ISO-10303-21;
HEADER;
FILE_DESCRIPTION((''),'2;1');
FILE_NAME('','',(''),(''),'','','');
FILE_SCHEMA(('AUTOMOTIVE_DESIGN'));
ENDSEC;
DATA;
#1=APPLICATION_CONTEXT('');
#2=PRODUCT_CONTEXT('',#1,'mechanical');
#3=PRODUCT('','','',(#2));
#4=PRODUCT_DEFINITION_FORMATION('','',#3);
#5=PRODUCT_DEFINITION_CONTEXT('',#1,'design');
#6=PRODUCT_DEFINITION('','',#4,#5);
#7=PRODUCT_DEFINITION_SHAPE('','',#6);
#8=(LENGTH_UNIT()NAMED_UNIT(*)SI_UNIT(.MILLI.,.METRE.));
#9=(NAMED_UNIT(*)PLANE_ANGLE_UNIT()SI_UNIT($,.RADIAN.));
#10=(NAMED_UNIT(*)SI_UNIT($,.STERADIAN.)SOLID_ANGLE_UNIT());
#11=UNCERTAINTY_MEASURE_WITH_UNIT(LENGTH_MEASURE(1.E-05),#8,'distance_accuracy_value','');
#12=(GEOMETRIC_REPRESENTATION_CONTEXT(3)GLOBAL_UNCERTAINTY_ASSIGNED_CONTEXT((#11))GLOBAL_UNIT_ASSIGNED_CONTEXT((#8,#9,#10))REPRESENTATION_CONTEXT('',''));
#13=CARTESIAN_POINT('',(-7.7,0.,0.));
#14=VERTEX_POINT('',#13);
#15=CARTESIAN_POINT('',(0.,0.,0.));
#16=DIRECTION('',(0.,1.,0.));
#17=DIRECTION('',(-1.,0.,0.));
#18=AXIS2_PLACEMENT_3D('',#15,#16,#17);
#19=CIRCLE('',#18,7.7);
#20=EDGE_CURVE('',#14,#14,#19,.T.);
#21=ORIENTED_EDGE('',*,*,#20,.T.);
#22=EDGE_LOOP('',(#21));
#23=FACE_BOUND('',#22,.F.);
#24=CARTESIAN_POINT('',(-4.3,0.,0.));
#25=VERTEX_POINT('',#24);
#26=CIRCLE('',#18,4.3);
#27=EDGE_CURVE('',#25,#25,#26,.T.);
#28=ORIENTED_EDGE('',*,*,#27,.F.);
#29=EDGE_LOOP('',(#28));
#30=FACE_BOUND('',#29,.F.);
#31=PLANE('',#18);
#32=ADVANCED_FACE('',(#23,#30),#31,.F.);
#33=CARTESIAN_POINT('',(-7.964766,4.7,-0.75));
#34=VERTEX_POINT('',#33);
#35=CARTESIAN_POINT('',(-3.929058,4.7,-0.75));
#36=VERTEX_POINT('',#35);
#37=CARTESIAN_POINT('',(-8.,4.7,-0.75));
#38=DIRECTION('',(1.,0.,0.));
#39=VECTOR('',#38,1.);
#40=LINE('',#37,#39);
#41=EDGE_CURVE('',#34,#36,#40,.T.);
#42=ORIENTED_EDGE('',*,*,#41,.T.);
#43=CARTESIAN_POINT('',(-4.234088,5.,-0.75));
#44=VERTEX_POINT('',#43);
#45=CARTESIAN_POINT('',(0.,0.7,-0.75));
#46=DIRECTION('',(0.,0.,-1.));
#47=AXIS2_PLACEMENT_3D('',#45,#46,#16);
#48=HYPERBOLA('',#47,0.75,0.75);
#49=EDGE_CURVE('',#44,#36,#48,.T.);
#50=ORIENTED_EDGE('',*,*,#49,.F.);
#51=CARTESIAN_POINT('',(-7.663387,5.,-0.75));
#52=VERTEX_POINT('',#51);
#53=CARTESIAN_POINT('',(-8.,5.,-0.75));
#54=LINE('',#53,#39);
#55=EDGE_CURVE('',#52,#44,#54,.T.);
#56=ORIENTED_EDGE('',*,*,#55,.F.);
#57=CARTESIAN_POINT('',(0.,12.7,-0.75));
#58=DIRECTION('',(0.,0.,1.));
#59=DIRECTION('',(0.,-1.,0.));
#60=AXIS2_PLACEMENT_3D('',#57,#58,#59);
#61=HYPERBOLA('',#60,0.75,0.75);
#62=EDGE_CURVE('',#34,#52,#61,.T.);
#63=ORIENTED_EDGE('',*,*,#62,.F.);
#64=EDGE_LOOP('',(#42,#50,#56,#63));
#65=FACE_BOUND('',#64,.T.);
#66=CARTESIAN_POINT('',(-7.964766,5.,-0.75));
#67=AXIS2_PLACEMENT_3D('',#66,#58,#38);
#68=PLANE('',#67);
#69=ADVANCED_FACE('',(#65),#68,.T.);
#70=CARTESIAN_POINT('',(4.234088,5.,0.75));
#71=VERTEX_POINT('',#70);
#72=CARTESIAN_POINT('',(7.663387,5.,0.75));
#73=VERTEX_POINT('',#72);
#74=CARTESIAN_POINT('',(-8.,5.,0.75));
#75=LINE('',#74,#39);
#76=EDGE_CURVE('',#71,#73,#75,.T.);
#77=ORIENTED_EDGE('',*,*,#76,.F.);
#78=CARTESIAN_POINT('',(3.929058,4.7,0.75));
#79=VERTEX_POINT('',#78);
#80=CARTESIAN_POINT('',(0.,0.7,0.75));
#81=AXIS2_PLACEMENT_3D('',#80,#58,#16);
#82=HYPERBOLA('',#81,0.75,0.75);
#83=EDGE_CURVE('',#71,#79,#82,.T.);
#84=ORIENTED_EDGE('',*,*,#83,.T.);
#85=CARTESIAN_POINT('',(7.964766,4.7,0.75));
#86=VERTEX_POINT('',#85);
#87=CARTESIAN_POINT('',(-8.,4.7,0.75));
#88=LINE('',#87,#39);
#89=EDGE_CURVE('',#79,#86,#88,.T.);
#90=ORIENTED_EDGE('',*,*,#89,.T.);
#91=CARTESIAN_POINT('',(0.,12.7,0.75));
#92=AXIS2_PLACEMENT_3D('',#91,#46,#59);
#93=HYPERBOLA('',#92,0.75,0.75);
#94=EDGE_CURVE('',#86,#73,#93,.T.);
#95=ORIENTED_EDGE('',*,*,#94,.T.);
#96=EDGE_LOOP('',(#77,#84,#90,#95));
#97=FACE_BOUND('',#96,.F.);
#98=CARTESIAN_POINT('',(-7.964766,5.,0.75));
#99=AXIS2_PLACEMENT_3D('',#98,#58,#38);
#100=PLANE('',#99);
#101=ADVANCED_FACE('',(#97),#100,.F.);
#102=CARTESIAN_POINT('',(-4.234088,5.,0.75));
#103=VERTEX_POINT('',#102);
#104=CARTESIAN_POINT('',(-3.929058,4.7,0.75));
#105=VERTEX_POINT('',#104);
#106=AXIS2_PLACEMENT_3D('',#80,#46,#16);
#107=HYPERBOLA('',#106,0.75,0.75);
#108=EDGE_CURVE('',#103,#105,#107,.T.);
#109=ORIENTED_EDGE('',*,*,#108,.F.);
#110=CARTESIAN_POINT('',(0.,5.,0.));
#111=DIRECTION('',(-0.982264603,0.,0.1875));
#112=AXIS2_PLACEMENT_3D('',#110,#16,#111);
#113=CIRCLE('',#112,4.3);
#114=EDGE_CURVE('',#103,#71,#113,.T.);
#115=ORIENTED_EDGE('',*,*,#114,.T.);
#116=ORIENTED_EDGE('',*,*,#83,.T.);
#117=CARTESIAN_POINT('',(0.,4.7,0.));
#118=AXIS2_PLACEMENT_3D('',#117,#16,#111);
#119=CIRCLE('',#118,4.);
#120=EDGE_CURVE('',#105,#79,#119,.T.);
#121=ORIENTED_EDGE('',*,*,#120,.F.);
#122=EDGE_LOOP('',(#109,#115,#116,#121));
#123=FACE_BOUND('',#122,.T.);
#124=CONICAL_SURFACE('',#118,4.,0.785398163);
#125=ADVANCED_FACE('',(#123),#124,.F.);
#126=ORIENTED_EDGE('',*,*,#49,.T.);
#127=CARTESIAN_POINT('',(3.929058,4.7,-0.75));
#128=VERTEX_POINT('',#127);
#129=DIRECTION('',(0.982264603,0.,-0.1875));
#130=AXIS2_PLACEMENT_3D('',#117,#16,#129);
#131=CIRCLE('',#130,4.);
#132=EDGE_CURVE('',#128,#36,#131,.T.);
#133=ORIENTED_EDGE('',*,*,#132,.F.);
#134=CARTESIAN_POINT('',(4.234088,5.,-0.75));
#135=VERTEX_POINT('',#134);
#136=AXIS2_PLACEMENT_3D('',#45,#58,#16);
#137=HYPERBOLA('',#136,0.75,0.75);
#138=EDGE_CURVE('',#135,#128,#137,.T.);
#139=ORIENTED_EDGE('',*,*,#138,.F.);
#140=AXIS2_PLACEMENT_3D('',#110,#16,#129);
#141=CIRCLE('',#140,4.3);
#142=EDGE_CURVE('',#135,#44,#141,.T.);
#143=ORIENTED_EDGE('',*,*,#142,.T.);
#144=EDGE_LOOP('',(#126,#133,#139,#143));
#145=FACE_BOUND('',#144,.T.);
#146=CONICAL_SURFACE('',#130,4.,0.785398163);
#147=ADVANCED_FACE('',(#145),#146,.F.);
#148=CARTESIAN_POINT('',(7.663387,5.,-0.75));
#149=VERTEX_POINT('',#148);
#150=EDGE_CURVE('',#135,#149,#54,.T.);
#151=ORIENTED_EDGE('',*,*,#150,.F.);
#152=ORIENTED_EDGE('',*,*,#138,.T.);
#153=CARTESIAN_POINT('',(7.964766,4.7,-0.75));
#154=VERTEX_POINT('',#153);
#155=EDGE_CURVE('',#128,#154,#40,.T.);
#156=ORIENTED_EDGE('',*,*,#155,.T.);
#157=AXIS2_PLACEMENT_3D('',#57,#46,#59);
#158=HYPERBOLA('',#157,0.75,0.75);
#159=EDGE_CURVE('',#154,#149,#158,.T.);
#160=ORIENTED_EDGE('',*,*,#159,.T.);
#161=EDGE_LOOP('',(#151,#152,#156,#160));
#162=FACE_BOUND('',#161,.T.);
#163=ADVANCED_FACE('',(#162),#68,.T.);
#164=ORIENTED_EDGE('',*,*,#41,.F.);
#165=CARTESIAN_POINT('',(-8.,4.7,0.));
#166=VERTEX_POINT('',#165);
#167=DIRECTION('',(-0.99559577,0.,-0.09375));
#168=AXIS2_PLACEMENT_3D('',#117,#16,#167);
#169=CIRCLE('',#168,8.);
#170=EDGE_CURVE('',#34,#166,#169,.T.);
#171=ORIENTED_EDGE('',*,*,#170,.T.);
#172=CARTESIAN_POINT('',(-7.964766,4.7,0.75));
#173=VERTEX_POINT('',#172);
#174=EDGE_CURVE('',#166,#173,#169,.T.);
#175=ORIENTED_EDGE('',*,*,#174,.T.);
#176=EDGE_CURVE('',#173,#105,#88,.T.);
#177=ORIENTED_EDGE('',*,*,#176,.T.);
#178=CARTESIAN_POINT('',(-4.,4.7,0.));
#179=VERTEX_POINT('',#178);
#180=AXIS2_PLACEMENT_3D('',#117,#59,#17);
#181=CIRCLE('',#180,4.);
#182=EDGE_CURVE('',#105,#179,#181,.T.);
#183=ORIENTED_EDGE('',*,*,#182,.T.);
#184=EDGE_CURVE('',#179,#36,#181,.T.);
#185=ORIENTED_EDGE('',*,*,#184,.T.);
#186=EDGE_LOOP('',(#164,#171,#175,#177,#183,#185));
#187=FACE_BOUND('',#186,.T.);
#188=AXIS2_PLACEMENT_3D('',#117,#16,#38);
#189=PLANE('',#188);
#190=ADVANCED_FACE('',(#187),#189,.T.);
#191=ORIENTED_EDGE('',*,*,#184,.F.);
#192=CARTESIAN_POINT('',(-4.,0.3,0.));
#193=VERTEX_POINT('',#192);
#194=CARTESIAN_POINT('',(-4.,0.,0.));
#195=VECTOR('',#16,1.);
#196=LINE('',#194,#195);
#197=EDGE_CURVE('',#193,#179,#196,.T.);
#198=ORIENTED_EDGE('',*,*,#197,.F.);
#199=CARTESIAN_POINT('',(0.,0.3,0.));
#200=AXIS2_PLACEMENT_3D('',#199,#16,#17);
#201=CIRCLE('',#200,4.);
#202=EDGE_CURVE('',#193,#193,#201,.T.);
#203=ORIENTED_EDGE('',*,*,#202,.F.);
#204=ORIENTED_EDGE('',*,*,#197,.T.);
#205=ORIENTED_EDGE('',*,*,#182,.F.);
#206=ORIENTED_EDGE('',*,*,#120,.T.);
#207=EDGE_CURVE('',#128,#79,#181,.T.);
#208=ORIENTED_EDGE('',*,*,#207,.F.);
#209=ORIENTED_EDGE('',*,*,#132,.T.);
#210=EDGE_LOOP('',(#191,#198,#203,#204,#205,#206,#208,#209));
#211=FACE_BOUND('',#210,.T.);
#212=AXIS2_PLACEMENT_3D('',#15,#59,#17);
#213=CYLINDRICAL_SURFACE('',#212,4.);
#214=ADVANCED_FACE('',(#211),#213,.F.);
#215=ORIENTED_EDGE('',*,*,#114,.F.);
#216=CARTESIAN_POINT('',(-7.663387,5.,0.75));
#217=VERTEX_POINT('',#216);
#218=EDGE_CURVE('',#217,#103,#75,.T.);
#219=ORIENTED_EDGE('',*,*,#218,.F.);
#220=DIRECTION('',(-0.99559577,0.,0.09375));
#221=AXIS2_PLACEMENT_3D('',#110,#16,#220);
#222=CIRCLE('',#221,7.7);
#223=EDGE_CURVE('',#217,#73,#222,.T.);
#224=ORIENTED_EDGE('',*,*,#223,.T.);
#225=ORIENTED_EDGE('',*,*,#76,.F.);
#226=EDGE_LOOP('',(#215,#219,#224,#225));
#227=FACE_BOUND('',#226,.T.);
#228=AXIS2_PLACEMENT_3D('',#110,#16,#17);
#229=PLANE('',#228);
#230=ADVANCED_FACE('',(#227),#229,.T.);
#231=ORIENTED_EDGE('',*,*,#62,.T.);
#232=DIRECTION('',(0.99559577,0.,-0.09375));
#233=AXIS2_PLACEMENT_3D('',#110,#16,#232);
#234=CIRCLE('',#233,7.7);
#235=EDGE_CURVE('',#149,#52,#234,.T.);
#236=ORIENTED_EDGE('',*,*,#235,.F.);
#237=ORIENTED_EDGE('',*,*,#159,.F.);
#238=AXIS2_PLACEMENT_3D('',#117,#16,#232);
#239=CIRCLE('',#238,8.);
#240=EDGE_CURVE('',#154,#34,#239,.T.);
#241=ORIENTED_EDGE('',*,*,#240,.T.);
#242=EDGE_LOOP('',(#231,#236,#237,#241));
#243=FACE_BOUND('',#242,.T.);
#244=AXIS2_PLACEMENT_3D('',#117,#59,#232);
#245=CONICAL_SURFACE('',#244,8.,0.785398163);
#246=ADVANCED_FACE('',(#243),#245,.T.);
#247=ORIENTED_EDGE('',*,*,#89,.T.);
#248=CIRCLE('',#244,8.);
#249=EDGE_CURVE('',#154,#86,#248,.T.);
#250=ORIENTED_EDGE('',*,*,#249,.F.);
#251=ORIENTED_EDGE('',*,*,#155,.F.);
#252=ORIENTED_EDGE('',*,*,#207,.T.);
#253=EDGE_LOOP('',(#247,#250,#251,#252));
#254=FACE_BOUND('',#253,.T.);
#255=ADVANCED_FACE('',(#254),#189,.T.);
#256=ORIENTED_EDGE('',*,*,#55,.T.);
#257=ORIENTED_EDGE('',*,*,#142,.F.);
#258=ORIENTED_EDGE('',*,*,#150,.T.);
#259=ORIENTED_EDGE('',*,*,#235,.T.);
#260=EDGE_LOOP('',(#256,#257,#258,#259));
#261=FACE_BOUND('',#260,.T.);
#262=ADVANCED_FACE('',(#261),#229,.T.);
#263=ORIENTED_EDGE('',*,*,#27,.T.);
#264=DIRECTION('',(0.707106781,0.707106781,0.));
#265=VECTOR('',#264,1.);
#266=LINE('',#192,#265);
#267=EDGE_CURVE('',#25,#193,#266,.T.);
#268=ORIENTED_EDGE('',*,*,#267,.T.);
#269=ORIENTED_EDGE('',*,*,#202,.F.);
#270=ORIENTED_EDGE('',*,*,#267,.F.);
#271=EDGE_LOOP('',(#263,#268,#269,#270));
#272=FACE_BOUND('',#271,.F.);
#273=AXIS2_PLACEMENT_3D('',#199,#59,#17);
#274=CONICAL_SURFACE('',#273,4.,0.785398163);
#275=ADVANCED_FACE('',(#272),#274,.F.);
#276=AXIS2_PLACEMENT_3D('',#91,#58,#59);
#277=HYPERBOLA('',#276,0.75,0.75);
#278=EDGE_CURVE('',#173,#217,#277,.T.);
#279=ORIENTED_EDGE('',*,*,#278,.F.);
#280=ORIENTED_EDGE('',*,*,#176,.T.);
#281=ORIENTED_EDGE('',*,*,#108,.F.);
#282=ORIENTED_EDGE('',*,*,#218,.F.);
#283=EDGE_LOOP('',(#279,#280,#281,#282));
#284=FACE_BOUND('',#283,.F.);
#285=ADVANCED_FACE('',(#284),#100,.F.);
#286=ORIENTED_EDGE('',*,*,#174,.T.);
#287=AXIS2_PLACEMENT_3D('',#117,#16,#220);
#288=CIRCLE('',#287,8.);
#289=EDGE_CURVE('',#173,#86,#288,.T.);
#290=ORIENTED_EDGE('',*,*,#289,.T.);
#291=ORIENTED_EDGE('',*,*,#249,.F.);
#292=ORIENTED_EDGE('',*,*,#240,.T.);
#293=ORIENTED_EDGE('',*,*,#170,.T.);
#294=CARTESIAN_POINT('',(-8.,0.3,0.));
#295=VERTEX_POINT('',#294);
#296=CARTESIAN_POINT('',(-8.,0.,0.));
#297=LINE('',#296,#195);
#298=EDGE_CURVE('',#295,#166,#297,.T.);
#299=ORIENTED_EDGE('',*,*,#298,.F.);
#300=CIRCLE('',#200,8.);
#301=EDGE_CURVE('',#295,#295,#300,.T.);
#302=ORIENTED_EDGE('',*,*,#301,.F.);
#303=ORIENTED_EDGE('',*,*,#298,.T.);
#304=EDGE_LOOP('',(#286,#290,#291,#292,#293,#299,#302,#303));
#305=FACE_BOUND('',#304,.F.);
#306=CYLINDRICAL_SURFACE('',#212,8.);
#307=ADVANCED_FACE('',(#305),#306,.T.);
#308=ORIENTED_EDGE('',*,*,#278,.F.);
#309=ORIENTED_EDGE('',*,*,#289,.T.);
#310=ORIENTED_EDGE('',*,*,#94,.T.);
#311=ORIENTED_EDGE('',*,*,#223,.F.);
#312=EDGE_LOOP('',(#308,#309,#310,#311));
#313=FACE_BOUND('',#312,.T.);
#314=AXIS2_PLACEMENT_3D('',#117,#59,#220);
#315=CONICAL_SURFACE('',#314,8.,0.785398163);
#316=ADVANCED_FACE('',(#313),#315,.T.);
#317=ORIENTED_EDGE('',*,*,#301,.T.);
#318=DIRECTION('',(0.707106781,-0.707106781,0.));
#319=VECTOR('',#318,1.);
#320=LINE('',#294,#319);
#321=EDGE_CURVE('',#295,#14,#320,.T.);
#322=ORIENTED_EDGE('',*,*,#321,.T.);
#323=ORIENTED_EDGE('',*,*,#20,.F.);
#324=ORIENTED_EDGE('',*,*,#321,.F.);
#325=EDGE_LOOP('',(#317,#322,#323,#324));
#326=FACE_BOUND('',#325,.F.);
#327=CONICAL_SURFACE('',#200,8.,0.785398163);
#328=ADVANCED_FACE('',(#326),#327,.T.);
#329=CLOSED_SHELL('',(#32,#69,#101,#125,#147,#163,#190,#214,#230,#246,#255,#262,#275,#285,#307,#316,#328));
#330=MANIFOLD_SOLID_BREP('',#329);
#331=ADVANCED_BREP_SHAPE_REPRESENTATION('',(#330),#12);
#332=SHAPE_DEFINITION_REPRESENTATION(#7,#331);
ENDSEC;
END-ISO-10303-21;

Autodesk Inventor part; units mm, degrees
ref_plane "YZ Plane" through (0, 0, 0) normal (1, 0, 0) x (0, 1, 0)
ref_plane "XZ Plane" through (0, 0, 0) normal (0, 1, 0) x (-1, 0, 0)
ref_plane "XY Plane" through (0, 0, 0) normal (0, 0, 1) x (1, 0, 0)
sketch "スケッチ1" plane through (0, 0, 0) normal (0, 1, 0) x (-1, 0, 0)
  circle A0 centre (0, 0) radius 8
  circle A1 centre (0, 0) radius 4
  dimension "d0" = 16
  dimension "d1" = 8
extrude "押し出し1" add sketch "スケッチ1" along normal blind 5
sketch "スケッチ2" plane through (0, 5, 0) normal (0, 1, 0) x (1, 0, 0)
  circle A0 centre (0, 0) radius 8 projected
  line L0 (-8, 0) -> (8, 0)
  line L1 (-8, 0.75) -> (8, 0.75)
  line L2 (-8, 0.75) -> (-8, 0)
  line L3 (8, 0.75) -> (8, 0)
  line L4 (-8, -0.75) -> (8, -0.75)
  line L5 (-8, -0.75) -> (-8, 0)
  line L6 (8, -0.75) -> (8, 0)
  point P0 (7.9648, 0.75)
  point P1 (-7.9648, 0.75)
  point P2 (-7.9648, -0.75)
  point P3 (7.9648, -0.75)
  dimension "d4" = 0.75
extrude "押し出し2" cut sketch "スケッチ2" against normal blind 0.3 contours L0 A0 L1 | A0 L4 L0
chamfer "面取り1" distance 0.3 angle 45 6 edges at (0, 5, 4) (0, 5, -4) (0, 5, -8) (0, 5, 8) (8, 0, 0) (4, 0, 0)
properties part number "GSB-081605"
